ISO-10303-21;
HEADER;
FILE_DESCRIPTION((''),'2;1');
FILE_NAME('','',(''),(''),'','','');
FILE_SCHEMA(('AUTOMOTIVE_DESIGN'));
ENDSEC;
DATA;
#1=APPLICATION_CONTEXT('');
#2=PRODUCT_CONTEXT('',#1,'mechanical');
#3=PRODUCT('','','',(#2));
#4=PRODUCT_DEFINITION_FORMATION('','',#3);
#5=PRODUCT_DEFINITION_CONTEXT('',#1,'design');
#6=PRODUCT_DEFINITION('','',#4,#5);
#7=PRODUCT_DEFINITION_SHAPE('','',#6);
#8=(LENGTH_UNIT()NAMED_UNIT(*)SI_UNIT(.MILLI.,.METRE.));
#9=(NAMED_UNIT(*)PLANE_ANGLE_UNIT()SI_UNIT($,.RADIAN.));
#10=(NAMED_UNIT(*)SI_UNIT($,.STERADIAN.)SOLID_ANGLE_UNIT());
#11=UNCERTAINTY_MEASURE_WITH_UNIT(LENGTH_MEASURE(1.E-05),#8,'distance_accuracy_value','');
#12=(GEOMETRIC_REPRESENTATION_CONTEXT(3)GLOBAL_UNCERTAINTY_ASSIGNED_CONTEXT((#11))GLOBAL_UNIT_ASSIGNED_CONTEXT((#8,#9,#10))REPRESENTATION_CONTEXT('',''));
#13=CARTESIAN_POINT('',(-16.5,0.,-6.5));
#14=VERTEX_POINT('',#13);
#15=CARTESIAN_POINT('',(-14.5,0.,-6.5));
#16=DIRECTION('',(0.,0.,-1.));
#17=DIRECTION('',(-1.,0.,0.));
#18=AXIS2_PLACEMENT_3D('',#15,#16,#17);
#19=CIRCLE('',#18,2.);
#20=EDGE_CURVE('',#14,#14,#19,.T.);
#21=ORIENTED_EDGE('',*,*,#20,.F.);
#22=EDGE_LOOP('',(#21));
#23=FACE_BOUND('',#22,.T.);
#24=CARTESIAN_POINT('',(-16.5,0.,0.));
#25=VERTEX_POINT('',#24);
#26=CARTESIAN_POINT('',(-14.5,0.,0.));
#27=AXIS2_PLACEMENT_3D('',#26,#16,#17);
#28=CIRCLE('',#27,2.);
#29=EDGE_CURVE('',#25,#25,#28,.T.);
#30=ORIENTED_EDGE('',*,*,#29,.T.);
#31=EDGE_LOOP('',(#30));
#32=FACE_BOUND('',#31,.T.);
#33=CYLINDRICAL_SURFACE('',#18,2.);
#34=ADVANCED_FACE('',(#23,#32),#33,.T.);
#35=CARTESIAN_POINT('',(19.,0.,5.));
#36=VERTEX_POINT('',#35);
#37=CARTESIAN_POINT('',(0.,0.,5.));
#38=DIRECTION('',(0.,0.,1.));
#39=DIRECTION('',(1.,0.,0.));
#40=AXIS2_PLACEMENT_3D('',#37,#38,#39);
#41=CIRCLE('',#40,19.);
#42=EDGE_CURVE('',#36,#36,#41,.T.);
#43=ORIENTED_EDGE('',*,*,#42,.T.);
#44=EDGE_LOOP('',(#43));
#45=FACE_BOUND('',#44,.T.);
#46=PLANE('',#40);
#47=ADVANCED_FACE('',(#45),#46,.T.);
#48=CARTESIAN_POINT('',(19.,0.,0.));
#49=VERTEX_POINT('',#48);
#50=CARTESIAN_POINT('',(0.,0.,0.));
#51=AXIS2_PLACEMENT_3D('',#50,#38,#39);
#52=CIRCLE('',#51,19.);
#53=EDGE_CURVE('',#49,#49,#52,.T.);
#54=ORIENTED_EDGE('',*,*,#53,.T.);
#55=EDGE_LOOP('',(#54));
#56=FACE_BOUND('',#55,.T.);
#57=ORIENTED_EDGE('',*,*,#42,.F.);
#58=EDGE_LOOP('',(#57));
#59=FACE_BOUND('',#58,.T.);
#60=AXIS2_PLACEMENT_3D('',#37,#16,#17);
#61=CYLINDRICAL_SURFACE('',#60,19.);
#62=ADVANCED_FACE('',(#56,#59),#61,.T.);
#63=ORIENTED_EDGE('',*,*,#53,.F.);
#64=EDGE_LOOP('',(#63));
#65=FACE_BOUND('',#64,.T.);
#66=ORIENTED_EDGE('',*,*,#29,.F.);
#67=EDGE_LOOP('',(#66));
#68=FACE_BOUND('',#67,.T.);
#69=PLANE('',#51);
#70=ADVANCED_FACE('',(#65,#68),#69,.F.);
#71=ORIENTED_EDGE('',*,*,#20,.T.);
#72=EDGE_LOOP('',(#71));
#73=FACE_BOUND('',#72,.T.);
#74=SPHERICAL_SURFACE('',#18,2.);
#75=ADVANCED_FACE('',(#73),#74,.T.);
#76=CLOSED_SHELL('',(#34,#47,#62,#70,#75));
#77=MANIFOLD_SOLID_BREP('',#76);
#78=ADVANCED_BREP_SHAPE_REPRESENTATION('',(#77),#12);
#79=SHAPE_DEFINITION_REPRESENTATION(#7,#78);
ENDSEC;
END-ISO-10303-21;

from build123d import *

# Parameters (mm, degrees)
SKETCH1_R           = 19
BOSS_EXTRUDE1_DEPTH = 5


with BuildPart() as part:
    # Sketch1 → Boss-Extrude1 (new body)
    with BuildSketch(Plane.XY):
        Circle(SKETCH1_R)
    extrude(amount=BOSS_EXTRUDE1_DEPTH)

    # Sketch3 → Revolve1 (revolve)
    with BuildSketch(Plane(origin=(0, 0, 0), x_dir=(1, 0, 0), z_dir=(0, 1, 0))):
        with BuildLine():
            Line((-16.5, 6.5), (-16.5, 0))
            Line((-16.5, 0), (-14.5, 0))
            Line((-14.5, 0), (-14.5, 8.5))
            ThreePointArc((-14.5, 8.5), (-15.914213562, 7.914213562), (-16.5, 6.5))
        make_face()
    revolve(axis=Axis((-14.5, 0, -6.5), (0, 0, 1)))


solid = part.part
